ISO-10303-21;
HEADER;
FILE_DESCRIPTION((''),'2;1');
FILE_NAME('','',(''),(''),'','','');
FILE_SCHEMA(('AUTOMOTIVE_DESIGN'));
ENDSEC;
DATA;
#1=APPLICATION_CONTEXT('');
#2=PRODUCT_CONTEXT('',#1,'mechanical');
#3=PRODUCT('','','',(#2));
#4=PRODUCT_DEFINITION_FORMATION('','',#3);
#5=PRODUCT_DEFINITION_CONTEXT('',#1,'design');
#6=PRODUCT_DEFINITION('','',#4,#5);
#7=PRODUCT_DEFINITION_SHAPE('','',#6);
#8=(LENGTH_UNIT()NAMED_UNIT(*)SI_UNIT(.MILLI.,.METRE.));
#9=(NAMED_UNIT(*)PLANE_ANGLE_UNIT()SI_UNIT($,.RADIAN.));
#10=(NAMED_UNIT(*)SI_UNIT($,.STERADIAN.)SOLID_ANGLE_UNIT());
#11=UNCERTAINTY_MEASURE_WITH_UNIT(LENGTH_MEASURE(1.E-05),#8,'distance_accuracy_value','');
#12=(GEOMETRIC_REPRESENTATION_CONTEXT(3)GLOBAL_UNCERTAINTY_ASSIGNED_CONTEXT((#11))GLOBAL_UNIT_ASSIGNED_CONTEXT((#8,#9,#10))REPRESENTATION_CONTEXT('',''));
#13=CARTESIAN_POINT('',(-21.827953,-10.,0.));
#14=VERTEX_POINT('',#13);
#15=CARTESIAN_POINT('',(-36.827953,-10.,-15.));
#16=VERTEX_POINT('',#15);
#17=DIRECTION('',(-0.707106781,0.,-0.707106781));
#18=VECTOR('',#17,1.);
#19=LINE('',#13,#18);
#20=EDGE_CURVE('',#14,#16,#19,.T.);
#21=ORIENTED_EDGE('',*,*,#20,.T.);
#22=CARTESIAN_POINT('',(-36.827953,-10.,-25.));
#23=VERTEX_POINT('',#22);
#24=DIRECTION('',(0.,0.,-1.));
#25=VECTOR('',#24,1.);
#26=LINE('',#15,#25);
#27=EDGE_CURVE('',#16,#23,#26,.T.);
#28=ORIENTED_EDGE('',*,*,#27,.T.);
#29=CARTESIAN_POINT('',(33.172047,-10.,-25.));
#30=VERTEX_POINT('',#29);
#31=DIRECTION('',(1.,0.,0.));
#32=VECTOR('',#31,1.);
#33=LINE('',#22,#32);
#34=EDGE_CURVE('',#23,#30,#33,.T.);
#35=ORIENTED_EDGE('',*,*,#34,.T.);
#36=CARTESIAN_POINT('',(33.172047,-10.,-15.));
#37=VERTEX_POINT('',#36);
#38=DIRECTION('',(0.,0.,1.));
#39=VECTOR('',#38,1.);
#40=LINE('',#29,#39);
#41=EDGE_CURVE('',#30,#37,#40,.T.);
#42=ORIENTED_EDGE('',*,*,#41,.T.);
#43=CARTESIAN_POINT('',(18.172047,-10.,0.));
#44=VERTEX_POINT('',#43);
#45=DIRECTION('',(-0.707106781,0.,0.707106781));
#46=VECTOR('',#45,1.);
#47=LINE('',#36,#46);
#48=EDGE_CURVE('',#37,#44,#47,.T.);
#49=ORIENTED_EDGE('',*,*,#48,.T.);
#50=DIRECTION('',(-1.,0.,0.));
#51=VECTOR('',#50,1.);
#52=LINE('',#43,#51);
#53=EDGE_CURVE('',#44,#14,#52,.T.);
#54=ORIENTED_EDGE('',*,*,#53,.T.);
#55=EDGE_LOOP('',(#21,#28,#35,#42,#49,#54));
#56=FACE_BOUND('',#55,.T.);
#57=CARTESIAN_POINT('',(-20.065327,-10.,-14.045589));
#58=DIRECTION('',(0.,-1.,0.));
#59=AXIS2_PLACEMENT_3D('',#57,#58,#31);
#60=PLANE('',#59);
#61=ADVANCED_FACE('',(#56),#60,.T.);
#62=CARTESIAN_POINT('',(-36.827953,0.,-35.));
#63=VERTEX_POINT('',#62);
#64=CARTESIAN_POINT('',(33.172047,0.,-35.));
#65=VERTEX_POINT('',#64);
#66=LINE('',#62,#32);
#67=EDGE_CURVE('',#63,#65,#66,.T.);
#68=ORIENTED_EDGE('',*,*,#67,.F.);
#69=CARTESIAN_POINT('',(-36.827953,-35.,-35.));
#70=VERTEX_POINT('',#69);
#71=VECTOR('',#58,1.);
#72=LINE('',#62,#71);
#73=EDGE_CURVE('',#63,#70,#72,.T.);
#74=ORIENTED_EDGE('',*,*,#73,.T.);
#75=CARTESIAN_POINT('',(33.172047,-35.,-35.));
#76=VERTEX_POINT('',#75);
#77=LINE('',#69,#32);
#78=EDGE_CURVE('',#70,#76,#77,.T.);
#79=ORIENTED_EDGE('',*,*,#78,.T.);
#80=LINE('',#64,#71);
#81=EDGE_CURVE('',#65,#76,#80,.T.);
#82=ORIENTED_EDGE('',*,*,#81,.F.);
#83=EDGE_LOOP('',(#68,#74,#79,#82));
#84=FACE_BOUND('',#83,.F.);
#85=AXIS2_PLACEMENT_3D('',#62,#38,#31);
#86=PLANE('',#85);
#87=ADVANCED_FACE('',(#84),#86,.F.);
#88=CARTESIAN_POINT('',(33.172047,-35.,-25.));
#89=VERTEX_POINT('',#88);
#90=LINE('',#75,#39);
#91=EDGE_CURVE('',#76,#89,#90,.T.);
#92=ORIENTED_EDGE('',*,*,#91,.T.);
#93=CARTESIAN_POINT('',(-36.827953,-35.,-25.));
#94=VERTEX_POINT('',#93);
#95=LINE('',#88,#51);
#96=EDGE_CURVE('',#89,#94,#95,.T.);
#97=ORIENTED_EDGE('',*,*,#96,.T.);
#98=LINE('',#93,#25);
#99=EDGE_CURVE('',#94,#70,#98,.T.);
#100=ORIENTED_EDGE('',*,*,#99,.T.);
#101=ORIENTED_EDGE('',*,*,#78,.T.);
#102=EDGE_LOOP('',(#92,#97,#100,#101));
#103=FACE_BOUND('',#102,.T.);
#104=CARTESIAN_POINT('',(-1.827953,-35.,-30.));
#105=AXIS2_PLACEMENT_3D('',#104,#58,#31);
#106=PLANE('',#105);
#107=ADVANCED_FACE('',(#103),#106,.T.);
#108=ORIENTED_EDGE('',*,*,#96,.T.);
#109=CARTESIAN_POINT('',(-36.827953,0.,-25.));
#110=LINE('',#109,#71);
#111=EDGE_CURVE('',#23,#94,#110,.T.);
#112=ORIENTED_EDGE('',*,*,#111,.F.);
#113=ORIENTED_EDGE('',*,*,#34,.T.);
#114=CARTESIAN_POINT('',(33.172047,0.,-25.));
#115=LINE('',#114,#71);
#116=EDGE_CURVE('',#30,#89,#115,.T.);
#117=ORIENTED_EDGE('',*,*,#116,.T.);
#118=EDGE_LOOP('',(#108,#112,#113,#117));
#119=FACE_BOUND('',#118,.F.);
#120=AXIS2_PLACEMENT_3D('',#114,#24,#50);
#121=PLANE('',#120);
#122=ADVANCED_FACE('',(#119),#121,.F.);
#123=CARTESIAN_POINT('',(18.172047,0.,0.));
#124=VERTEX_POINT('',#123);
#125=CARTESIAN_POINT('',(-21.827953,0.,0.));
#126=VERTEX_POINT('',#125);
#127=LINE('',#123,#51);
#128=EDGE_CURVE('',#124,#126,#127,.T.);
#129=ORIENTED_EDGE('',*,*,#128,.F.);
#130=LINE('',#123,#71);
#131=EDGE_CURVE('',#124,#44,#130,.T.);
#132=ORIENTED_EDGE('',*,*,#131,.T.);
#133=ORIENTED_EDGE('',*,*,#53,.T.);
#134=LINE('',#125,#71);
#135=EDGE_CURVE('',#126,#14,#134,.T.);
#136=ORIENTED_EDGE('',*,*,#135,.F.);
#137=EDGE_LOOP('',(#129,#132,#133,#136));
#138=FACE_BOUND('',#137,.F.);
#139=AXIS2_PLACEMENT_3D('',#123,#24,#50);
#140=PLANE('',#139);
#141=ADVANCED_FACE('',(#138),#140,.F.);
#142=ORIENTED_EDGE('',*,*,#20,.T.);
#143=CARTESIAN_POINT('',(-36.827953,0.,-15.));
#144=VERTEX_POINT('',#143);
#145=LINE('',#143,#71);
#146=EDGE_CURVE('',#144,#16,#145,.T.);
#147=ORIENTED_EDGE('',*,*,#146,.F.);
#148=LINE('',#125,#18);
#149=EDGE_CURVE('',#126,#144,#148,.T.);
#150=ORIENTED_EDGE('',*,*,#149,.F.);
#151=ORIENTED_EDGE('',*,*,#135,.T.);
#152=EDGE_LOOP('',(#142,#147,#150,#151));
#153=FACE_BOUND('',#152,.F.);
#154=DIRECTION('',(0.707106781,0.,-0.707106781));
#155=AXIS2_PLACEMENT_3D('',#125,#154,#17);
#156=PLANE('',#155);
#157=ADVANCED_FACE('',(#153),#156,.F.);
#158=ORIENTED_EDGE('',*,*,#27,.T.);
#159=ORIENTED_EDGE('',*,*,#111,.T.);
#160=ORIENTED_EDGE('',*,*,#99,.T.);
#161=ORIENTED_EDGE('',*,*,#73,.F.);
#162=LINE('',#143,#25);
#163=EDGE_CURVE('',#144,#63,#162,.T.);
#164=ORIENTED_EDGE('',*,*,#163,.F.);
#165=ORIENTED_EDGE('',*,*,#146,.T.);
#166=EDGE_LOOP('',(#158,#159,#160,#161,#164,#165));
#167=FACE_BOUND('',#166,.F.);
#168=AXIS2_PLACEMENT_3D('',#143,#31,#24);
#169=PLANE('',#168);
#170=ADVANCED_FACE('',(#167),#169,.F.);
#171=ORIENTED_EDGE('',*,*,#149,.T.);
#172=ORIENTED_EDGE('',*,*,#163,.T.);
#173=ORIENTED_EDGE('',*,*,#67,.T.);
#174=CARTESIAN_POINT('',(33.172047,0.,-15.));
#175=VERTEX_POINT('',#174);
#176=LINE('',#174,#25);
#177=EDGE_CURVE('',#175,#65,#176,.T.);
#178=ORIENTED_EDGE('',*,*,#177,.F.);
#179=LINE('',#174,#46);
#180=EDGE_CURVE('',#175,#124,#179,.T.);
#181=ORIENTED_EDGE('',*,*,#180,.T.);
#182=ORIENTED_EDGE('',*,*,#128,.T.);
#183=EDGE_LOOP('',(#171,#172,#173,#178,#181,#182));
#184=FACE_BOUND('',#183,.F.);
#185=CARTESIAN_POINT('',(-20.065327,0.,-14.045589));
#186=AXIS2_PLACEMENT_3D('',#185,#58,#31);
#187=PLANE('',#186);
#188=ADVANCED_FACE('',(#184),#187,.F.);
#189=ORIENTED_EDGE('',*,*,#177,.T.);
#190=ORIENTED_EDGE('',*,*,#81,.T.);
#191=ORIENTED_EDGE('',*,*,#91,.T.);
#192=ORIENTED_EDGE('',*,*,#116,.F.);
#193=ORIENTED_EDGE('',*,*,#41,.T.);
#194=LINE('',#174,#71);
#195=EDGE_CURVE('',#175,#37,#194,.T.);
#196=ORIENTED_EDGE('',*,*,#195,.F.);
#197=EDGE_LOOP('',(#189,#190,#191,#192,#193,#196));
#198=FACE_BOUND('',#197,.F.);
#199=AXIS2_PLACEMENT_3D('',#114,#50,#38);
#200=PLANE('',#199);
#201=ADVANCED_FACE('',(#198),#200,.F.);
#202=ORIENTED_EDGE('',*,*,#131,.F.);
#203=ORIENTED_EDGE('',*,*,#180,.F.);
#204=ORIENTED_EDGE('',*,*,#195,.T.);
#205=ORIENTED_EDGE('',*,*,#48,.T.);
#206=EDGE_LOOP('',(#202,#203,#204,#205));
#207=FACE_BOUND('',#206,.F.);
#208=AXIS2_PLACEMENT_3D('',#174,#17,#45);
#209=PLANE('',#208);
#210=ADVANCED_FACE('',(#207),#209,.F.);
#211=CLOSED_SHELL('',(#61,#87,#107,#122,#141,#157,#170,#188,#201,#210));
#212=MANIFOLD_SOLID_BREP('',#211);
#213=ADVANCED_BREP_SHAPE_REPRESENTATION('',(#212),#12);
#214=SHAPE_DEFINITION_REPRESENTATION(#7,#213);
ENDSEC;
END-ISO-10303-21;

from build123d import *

# Parameters (mm, degrees)
F1_DEPTH = 35
F0_W     = 10
F0_H     = 25
F2_DEPTH = 10


with BuildPart() as f1:
    # F0 (on Front) → F1 (new body)
    with BuildSketch(Plane.XZ):
        Polygon((-36.827953, -25), (-36.827953, -35), (33.172047, -35), (33.172047, -25), (3.172047, -25), (-6.827953, -25), align=None)
    extrude(amount=F1_DEPTH)

    # F0 (on Front) → F2 (join)
    with BuildSketch(Plane.XZ):
        Polygon((-36.827953, -15), (-36.827953, -25), (-6.827953, -25), (-6.827953, 0), (-21.827953, 0), align=None)
        Polygon((3.172047, -25), (33.172047, -25), (33.172047, -15), (18.172047, 0), (3.172047, 0), align=None)
        with Locations((-1.827953, -12.5)):
            Rectangle(F0_W, F0_H)
    extrude(amount=F2_DEPTH)


solid = f1.part
